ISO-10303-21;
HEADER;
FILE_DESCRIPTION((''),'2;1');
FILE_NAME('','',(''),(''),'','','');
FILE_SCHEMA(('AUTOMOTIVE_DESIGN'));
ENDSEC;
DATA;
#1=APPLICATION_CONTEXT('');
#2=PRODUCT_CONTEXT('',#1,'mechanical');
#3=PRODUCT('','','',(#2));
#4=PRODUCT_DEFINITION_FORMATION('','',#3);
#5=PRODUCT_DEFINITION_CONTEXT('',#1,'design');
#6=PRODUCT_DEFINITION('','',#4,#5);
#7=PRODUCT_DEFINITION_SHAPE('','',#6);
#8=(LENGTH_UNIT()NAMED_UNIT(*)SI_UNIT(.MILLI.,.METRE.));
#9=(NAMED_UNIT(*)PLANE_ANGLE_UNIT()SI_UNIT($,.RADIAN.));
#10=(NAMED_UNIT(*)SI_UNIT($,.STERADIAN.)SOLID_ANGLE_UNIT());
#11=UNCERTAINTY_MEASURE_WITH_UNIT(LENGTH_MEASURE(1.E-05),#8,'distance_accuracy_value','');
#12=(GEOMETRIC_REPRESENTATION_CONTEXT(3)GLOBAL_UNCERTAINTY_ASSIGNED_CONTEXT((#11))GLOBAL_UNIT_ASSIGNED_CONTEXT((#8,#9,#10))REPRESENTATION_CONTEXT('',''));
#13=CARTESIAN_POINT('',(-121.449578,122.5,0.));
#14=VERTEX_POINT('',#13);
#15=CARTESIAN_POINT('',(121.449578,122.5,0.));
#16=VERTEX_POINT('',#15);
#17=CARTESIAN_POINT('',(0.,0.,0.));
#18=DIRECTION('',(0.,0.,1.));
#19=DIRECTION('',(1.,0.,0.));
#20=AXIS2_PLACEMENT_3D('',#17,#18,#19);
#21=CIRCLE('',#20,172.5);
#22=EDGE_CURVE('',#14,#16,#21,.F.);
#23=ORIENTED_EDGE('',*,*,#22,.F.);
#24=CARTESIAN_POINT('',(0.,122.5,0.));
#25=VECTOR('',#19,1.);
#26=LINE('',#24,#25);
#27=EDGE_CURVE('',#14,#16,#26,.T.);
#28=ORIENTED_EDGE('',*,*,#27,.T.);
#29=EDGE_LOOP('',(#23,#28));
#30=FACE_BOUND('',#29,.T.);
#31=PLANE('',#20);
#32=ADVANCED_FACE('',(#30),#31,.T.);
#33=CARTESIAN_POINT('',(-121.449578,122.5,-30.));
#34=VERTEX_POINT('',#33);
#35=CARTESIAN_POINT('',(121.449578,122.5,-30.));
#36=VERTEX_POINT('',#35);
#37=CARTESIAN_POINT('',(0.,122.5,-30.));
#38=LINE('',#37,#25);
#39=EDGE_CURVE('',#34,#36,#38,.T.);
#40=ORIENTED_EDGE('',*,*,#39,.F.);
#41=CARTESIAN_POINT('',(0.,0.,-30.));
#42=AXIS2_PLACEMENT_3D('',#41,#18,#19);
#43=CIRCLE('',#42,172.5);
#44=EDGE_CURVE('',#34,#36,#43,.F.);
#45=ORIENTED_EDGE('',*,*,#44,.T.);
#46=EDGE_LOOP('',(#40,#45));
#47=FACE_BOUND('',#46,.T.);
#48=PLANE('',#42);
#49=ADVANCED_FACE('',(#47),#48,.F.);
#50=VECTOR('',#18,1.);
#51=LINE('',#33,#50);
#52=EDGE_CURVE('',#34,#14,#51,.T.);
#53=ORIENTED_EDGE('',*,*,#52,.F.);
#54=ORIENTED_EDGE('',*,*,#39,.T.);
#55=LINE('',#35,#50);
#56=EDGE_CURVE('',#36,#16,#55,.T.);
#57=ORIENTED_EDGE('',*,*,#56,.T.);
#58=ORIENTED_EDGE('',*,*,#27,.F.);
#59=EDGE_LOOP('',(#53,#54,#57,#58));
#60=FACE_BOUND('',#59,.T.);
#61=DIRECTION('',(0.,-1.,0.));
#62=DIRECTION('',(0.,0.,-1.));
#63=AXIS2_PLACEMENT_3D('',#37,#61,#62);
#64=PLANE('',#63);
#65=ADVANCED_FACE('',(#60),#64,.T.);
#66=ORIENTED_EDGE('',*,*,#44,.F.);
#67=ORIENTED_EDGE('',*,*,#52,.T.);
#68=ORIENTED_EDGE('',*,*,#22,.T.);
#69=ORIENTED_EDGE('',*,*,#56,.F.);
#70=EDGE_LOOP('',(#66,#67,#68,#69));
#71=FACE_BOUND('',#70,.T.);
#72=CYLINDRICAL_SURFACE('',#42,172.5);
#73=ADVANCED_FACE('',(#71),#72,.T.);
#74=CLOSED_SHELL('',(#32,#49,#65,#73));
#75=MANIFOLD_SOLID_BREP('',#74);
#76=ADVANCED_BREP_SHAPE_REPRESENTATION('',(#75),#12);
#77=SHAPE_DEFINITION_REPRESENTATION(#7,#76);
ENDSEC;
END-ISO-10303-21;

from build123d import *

# Parameters (mm, degrees)
BOSS_EXTRUDE1_DEPTH = 30


with BuildPart() as part:
    # Sketch1 → Boss-Extrude1 (new body)
    with BuildSketch(Plane.XY):
        with BuildLine():
            ThreePointArc((0, 172.5), (-65.669627683, 159.510971409), (-121.449578015, 122.5))
            Line((-121.449578015, 122.5), (0, 122.5))
            Line((0, 122.5), (0, 172.5))
        make_face()
        with BuildLine():
            Line((0, 172.5), (0, 122.5))
            Line((0, 122.5), (121.449578015, 122.5))
            ThreePointArc((121.449578015, 122.5), (65.669627683, 159.510971409), (0, 172.5))
        make_face()
    extrude(amount=-BOSS_EXTRUDE1_DEPTH)


solid = part.part
